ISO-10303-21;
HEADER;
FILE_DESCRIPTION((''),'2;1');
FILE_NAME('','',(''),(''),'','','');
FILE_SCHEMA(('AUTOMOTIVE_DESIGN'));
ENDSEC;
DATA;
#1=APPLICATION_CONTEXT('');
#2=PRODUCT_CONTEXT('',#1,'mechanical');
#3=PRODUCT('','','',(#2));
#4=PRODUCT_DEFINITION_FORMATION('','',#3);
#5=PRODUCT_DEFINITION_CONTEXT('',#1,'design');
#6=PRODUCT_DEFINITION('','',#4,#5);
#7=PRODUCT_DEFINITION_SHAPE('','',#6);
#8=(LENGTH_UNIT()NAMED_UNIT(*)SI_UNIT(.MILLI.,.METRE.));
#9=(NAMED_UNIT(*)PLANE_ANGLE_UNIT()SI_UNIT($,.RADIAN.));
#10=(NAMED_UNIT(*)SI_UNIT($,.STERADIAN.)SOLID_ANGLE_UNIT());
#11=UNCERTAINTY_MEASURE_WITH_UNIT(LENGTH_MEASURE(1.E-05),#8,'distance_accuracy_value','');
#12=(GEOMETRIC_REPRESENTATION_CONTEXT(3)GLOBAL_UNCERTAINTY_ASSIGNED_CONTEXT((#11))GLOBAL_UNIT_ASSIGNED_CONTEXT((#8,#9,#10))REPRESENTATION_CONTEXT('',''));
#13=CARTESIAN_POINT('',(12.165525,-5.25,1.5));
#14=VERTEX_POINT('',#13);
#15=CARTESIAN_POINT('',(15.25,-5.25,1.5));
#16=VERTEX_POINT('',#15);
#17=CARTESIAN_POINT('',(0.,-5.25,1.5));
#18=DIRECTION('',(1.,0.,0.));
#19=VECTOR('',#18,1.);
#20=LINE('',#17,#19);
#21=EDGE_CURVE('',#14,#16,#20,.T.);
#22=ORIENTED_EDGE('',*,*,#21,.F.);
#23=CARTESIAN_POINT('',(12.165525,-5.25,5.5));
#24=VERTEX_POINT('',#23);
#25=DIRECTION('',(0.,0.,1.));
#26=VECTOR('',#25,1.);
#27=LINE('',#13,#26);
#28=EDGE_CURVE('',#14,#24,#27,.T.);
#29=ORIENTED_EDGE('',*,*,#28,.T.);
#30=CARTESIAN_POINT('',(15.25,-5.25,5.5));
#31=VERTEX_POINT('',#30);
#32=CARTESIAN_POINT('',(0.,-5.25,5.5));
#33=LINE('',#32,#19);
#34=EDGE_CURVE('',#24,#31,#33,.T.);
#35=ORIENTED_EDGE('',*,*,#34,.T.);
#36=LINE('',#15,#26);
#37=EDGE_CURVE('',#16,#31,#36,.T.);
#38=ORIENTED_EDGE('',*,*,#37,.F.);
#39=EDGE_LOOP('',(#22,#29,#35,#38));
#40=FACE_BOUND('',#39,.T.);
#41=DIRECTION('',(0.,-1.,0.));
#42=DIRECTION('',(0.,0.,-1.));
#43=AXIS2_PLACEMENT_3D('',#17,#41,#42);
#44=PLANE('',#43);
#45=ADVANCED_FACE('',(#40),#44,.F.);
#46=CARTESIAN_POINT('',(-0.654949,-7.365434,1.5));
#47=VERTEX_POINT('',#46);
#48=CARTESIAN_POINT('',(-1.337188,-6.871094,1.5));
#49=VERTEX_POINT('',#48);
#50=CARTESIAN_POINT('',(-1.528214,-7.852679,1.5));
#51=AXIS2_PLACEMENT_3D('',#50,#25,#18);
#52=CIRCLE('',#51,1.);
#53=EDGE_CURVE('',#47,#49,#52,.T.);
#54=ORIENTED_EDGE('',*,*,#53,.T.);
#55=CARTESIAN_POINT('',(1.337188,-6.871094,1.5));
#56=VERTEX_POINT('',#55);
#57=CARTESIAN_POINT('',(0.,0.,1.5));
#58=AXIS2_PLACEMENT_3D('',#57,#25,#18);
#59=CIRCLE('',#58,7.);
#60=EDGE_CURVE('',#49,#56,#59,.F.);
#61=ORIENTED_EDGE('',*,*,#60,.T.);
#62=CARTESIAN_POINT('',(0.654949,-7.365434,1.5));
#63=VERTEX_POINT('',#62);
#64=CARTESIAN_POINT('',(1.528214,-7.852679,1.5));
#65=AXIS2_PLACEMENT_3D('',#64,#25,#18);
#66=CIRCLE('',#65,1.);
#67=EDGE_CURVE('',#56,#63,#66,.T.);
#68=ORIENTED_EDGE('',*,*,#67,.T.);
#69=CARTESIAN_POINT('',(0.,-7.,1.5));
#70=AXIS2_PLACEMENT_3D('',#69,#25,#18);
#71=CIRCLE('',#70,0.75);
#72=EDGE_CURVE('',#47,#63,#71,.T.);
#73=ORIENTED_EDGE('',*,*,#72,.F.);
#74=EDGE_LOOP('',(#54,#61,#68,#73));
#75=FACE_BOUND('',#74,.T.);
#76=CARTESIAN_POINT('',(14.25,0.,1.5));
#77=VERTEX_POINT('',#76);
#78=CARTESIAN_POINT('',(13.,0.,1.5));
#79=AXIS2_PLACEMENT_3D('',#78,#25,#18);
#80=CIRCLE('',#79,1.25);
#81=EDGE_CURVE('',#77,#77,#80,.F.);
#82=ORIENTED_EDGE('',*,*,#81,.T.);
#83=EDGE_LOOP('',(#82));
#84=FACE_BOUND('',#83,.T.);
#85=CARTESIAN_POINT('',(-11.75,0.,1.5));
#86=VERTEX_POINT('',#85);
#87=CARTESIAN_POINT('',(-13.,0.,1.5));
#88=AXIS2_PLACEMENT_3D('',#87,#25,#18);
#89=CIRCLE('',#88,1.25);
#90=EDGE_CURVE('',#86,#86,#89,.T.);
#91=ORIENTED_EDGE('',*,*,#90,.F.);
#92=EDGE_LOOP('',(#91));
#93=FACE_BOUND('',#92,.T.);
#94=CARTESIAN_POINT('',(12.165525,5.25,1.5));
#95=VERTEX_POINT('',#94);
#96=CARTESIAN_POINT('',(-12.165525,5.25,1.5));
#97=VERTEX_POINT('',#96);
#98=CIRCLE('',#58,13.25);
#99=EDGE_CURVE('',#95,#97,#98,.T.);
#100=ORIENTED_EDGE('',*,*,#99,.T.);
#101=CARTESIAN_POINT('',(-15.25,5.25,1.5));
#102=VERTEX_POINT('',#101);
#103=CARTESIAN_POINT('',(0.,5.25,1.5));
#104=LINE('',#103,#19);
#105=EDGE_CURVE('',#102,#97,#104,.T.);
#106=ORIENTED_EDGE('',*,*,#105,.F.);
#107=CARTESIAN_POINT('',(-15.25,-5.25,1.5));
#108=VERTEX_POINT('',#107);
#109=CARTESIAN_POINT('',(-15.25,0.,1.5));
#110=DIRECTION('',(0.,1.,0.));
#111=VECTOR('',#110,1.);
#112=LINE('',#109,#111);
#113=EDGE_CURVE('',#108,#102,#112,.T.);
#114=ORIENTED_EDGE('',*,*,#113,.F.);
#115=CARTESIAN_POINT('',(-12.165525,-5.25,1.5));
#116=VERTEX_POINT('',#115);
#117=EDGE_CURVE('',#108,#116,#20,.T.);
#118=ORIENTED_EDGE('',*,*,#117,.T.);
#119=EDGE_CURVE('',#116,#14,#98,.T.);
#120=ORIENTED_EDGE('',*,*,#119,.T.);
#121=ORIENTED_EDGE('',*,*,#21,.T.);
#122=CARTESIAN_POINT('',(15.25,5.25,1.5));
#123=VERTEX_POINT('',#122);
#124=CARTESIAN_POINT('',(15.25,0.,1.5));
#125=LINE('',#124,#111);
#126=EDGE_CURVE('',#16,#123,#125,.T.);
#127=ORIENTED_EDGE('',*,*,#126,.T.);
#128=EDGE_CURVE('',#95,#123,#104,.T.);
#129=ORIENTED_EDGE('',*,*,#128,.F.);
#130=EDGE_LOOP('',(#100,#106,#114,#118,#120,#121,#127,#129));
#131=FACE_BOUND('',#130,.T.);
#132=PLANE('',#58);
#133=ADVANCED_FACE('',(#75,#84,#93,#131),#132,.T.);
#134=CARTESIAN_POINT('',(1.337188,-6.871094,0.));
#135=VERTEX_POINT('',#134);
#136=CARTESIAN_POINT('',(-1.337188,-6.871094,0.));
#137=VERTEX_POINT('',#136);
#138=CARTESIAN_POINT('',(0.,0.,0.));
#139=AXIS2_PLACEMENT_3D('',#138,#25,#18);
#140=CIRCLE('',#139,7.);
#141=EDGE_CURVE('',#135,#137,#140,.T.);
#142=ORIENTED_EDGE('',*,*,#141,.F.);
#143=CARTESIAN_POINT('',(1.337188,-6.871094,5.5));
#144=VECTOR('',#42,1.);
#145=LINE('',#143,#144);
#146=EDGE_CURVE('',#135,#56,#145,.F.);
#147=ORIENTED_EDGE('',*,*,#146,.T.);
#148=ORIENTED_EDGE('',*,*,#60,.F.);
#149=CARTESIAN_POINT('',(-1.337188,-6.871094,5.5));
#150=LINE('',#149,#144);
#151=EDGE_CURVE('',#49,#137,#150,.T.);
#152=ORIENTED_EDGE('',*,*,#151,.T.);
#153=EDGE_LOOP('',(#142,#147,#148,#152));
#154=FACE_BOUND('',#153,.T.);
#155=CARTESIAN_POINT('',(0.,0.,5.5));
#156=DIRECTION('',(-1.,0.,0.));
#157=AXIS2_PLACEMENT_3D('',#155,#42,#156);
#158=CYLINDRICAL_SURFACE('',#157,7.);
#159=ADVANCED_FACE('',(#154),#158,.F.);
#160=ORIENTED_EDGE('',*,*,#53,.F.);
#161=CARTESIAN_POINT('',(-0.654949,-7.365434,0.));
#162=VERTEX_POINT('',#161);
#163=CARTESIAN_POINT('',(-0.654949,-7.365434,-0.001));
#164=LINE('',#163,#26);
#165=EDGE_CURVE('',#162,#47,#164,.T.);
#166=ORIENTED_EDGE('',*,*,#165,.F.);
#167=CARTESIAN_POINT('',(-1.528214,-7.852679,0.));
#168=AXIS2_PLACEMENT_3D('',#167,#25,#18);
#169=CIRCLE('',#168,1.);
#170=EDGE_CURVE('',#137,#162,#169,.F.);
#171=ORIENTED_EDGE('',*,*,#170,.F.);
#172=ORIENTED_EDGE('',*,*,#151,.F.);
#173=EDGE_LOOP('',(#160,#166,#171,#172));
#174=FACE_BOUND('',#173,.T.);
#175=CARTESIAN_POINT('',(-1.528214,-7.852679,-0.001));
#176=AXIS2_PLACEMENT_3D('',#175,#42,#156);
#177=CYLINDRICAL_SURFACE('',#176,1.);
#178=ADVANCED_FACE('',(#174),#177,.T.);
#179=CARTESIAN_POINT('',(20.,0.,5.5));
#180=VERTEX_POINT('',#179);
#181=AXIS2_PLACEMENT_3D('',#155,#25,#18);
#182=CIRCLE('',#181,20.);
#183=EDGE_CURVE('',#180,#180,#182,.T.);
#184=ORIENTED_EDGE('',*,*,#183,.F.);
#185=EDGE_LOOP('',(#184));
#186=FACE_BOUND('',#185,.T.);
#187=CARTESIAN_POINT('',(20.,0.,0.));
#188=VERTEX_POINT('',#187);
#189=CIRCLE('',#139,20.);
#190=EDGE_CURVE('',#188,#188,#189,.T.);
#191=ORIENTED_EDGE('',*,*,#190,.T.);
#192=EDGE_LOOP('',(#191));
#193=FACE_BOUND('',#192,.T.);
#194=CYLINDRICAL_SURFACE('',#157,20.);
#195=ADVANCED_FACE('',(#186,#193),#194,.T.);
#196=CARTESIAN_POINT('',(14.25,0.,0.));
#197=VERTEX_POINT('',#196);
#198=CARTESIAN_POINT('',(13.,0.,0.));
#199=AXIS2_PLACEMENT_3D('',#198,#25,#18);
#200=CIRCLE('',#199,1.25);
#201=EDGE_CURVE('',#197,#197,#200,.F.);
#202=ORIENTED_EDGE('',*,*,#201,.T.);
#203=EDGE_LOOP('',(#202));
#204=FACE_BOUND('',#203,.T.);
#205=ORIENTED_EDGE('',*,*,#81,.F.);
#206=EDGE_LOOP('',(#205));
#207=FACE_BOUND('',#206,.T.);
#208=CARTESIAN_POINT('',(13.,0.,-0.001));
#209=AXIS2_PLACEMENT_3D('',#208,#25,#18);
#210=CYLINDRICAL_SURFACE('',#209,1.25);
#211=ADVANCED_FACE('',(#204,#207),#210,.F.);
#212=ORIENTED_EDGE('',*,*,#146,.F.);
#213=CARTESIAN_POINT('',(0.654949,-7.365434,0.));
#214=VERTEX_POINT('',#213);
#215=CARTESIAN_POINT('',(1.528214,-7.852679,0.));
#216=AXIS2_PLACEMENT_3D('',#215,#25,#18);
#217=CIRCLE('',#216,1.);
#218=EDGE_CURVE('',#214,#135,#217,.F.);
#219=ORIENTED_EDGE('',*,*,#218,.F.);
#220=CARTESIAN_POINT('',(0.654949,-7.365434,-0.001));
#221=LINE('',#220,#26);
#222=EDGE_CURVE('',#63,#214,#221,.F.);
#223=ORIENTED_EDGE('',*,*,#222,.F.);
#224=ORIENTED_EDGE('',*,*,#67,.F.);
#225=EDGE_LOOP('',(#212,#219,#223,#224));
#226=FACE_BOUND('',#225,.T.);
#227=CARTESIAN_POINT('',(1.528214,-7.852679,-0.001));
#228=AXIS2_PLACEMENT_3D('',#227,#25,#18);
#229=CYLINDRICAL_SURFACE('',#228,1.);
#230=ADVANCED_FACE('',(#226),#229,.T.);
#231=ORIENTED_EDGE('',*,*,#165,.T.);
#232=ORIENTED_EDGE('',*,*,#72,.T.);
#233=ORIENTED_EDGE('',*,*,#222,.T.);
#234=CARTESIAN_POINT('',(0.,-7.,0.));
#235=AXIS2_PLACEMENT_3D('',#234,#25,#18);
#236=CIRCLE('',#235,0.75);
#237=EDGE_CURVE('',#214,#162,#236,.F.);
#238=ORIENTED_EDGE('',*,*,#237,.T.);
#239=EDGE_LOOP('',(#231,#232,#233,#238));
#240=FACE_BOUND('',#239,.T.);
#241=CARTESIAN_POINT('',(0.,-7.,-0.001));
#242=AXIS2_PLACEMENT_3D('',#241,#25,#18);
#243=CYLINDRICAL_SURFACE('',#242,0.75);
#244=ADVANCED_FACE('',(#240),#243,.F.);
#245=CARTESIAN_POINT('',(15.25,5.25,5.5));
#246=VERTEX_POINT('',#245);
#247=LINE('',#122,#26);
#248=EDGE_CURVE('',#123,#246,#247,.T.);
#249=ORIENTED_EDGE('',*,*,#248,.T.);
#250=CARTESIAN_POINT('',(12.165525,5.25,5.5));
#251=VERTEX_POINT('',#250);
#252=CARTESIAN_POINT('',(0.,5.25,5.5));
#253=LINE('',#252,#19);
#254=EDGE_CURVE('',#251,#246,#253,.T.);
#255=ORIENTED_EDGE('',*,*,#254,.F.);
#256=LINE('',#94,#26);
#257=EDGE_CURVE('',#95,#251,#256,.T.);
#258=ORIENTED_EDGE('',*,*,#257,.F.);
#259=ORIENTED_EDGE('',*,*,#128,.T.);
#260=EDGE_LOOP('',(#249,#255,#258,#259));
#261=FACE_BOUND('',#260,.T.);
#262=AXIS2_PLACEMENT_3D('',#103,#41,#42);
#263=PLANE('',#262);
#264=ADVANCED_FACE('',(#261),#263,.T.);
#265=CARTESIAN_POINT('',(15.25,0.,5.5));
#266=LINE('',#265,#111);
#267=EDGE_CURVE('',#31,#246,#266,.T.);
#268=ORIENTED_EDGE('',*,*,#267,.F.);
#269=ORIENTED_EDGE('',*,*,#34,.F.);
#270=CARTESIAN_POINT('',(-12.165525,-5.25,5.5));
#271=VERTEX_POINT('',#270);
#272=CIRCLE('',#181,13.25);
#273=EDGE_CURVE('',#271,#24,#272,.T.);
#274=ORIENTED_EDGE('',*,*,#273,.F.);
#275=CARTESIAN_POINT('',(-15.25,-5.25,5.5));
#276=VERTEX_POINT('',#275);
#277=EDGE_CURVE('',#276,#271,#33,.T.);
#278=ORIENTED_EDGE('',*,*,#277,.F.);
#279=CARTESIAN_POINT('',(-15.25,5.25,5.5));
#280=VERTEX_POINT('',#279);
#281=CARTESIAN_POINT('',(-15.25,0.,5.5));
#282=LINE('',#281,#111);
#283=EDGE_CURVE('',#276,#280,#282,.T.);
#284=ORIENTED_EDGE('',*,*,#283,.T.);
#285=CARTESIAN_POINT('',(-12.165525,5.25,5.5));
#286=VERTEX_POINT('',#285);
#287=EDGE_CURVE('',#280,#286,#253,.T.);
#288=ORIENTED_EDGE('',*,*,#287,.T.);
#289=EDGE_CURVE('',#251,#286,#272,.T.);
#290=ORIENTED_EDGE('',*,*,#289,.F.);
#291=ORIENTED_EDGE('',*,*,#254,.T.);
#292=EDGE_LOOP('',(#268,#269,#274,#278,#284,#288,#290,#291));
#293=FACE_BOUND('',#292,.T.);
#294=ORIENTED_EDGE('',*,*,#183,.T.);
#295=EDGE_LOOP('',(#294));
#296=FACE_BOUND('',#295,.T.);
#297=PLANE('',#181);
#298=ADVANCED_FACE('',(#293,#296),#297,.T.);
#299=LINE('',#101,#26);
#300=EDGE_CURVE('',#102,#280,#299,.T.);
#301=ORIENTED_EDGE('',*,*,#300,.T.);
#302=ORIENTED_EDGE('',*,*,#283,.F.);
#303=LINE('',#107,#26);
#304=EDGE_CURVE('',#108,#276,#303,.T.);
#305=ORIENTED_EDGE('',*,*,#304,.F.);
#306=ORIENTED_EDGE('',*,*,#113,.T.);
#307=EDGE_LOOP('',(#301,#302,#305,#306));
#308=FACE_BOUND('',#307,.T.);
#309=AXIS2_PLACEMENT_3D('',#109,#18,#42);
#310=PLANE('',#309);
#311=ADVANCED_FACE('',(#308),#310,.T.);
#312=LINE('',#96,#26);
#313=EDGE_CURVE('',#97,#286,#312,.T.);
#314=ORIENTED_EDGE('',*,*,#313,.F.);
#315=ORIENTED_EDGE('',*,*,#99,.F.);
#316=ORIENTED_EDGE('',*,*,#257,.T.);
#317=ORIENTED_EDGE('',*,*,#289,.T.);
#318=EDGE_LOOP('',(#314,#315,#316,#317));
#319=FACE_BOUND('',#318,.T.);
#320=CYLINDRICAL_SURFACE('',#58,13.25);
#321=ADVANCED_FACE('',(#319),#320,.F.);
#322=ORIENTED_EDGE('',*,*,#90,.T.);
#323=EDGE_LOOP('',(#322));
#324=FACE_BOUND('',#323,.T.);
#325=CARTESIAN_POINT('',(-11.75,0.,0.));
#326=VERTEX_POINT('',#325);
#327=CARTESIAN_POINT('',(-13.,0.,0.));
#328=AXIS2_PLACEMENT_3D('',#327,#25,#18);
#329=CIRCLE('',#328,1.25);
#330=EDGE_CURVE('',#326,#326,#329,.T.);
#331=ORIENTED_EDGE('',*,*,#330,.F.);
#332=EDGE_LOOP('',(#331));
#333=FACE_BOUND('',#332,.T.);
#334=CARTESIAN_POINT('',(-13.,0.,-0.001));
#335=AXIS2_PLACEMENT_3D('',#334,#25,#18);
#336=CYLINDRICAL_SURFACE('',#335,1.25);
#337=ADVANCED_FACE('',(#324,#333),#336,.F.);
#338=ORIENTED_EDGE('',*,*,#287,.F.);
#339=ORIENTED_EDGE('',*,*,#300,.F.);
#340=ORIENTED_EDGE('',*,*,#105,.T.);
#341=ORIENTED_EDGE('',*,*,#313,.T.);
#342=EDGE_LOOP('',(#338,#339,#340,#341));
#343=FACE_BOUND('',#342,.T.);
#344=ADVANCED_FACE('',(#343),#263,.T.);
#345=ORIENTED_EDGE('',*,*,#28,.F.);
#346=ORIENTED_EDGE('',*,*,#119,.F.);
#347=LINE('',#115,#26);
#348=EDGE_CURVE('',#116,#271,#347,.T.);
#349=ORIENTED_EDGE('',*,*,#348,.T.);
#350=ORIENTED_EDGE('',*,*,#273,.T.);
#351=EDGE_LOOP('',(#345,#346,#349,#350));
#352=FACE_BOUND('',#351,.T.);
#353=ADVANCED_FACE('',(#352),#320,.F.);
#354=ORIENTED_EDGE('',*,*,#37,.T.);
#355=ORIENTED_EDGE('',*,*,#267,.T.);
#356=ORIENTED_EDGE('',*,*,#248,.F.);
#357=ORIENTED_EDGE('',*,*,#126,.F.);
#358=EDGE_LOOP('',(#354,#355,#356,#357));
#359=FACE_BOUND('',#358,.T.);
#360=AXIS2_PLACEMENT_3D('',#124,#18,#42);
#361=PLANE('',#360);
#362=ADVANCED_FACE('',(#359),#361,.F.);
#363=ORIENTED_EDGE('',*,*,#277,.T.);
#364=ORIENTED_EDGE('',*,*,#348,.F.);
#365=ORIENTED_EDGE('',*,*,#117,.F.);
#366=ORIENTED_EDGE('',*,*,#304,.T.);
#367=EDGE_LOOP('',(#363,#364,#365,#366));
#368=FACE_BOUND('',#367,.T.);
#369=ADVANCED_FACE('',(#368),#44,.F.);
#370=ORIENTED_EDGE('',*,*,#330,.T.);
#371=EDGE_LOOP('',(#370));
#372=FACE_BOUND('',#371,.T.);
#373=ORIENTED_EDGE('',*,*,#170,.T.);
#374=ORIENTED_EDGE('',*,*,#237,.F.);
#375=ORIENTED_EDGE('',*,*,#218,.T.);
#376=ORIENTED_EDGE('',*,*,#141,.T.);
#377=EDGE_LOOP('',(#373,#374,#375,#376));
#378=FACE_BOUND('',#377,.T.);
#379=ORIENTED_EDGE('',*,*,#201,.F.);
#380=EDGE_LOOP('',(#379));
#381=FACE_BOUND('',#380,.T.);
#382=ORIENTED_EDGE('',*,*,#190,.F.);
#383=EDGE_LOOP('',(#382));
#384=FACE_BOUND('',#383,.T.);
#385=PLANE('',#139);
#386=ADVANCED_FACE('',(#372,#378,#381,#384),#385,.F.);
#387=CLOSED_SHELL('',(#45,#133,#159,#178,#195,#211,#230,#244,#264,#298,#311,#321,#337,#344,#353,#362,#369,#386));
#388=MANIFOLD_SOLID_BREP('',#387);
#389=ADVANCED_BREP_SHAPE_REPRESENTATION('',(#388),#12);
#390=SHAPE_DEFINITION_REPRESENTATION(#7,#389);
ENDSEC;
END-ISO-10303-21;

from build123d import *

# Parameters (mm, degrees)
SKIZZE1_R                       = 20
SKIZZE1_R_2                     = 7
AUFSATZ_LINEAR_AUSTRAGEN1_DEPTH = 5.5
SCHNITT_LINEAR_AUSTRAGEN1_DEPTH = 4
SCHNITT_LINEAR_AUSTRAGEN2_REACH = 7.5
SKIZZE3_R                       = 1.25
SCHNITT_LINEAR_AUSTRAGEN3_REACH = 3.5
SKIZZE4_R                       = 0.75
VERRUNDUNG1_R                   = 1


with BuildPart() as part:
    # Skizze1 → Aufsatz-Linear austragen1 (new body)
    with BuildSketch(Plane.XY):
        Circle(SKIZZE1_R)
        Circle(SKIZZE1_R_2, mode=Mode.SUBTRACT)
    extrude(amount=AUFSATZ_LINEAR_AUSTRAGEN1_DEPTH)

    # Skizze2 → Schnitt-Linear austragen1 (cut)
    with BuildSketch(Plane.XY.offset(5.5)):
        with BuildLine():
            Line((-4.630064794, -5.25), (-12.165525061, -5.25))
            ThreePointArc((-12.165525061, -5.25), (0, -13.25), (12.165525061, -5.25))
            Line((12.165525061, -5.25), (4.630064794, -5.25))
            ThreePointArc((4.630064794, -5.25), (0, -7), (-4.630064794, -5.25))
        make_face()
        with BuildLine():
            ThreePointArc((-12.165525061, 5.25), (-13.25, 0), (-12.165525061, -5.25))
            Line((-12.165525061, -5.25), (-4.630064794, -5.25))
            ThreePointArc((-4.630064794, -5.25), (-7, 0), (-4.630064794, 5.25))
            Line((-4.630064794, 5.25), (-12.165525061, 5.25))
        make_face()
        with BuildLine():
            Line((4.630064794, -5.25), (12.165525061, -5.25))
            ThreePointArc((12.165525061, -5.25), (12.976049226, -2.680419085), (13.25, 0))
            ThreePointArc((13.25, 0), (12.976049226, 2.680419085), (12.165525061, 5.25))
            Line((12.165525061, 5.25), (4.630064794, 5.25))
            ThreePointArc((4.630064794, 5.25), (6.380064794, 2.880064794), (7, 0))
            ThreePointArc((7, 0), (6.380064794, -2.880064794), (4.630064794, -5.25))
        make_face()
        with BuildLine():
            ThreePointArc((12.165525061, 5.25), (0, 13.25), (-12.165525061, 5.25))
            Line((-12.165525061, 5.25), (-4.630064794, 5.25))
            ThreePointArc((-4.630064794, 5.25), (0, 7), (4.630064794, 5.25))
            Line((4.630064794, 5.25), (12.165525061, 5.25))
        make_face()
        with BuildLine():
            Line((-15.25, 5.25), (-15.25, -5.25))
            Line((-15.25, -5.25), (-12.165525061, -5.25))
            ThreePointArc((-12.165525061, -5.25), (-13.25, 0), (-12.165525061, 5.25))
            Line((-12.165525061, 5.25), (-15.25, 5.25))
        make_face()
        with BuildLine():
            ThreePointArc((13.25, 0), (12.976049226, -2.680419085), (12.165525061, -5.25))
            Line((12.165525061, -5.25), (15.25, -5.25))
            Line((15.25, -5.25), (15.25, 5.25))
            Line((15.25, 5.25), (12.165525061, 5.25))
            ThreePointArc((12.165525061, 5.25), (12.976049226, 2.680419085), (13.25, 0))
        make_face()
    extrude(amount=-SCHNITT_LINEAR_AUSTRAGEN1_DEPTH, mode=Mode.SUBTRACT)

    # Skizze3 → Schnitt-Linear austragen2 (cut, up to next)
    with BuildSketch(Plane.XY.offset(5.5), mode=Mode.PRIVATE) as schnitt_linear_austragen2_sk1:
        with Locations((13, 0)):
            Circle(SKIZZE3_R)
    schnitt_linear_austragen2_tool1 = extrude(schnitt_linear_austragen2_sk1.sketch, amount=-SCHNITT_LINEAR_AUSTRAGEN2_REACH, mode=Mode.PRIVATE) & part.part
    add(schnitt_linear_austragen2_tool1.solids().sort_by_distance((13, 0, 5.5))[0], mode=Mode.SUBTRACT)
    # Skizze3 → Schnitt-Linear austragen2 (cut, up to next)
    with BuildSketch(Plane.XY.offset(5.5), mode=Mode.PRIVATE) as schnitt_linear_austragen2_sk2:
        with Locations((-13, 0)):
            Circle(SKIZZE3_R)
    schnitt_linear_austragen2_tool2 = extrude(schnitt_linear_austragen2_sk2.sketch, amount=-SCHNITT_LINEAR_AUSTRAGEN2_REACH, mode=Mode.PRIVATE) & part.part
    add(schnitt_linear_austragen2_tool2.solids().sort_by_distance((-13, 0, 5.5))[0], mode=Mode.SUBTRACT)

    # Skizze4 → Schnitt-Linear austragen3 (cut, up to next)
    with BuildSketch(Plane.XY.offset(1.5), mode=Mode.PRIVATE) as schnitt_linear_austragen3_sk1:
        with Locations((0, -7)):
            Circle(SKIZZE4_R)
    schnitt_linear_austragen3_tool1 = extrude(schnitt_linear_austragen3_sk1.sketch, amount=-SCHNITT_LINEAR_AUSTRAGEN3_REACH, mode=Mode.PRIVATE) & part.part
    add(schnitt_linear_austragen3_tool1.solids().sort_by_distance((0, -7, 1.5))[0], mode=Mode.SUBTRACT)

    # Verrundung1
    verrundung1_edges = [part.edges().sort_by_distance(p)[0] for p in [
        (-0.748923015, -6.959821429, 0.75),
        (0.748923015, -6.959821429, 0.75),
    ]]
    fillet(verrundung1_edges, radius=VERRUNDUNG1_R)


solid = part.part
